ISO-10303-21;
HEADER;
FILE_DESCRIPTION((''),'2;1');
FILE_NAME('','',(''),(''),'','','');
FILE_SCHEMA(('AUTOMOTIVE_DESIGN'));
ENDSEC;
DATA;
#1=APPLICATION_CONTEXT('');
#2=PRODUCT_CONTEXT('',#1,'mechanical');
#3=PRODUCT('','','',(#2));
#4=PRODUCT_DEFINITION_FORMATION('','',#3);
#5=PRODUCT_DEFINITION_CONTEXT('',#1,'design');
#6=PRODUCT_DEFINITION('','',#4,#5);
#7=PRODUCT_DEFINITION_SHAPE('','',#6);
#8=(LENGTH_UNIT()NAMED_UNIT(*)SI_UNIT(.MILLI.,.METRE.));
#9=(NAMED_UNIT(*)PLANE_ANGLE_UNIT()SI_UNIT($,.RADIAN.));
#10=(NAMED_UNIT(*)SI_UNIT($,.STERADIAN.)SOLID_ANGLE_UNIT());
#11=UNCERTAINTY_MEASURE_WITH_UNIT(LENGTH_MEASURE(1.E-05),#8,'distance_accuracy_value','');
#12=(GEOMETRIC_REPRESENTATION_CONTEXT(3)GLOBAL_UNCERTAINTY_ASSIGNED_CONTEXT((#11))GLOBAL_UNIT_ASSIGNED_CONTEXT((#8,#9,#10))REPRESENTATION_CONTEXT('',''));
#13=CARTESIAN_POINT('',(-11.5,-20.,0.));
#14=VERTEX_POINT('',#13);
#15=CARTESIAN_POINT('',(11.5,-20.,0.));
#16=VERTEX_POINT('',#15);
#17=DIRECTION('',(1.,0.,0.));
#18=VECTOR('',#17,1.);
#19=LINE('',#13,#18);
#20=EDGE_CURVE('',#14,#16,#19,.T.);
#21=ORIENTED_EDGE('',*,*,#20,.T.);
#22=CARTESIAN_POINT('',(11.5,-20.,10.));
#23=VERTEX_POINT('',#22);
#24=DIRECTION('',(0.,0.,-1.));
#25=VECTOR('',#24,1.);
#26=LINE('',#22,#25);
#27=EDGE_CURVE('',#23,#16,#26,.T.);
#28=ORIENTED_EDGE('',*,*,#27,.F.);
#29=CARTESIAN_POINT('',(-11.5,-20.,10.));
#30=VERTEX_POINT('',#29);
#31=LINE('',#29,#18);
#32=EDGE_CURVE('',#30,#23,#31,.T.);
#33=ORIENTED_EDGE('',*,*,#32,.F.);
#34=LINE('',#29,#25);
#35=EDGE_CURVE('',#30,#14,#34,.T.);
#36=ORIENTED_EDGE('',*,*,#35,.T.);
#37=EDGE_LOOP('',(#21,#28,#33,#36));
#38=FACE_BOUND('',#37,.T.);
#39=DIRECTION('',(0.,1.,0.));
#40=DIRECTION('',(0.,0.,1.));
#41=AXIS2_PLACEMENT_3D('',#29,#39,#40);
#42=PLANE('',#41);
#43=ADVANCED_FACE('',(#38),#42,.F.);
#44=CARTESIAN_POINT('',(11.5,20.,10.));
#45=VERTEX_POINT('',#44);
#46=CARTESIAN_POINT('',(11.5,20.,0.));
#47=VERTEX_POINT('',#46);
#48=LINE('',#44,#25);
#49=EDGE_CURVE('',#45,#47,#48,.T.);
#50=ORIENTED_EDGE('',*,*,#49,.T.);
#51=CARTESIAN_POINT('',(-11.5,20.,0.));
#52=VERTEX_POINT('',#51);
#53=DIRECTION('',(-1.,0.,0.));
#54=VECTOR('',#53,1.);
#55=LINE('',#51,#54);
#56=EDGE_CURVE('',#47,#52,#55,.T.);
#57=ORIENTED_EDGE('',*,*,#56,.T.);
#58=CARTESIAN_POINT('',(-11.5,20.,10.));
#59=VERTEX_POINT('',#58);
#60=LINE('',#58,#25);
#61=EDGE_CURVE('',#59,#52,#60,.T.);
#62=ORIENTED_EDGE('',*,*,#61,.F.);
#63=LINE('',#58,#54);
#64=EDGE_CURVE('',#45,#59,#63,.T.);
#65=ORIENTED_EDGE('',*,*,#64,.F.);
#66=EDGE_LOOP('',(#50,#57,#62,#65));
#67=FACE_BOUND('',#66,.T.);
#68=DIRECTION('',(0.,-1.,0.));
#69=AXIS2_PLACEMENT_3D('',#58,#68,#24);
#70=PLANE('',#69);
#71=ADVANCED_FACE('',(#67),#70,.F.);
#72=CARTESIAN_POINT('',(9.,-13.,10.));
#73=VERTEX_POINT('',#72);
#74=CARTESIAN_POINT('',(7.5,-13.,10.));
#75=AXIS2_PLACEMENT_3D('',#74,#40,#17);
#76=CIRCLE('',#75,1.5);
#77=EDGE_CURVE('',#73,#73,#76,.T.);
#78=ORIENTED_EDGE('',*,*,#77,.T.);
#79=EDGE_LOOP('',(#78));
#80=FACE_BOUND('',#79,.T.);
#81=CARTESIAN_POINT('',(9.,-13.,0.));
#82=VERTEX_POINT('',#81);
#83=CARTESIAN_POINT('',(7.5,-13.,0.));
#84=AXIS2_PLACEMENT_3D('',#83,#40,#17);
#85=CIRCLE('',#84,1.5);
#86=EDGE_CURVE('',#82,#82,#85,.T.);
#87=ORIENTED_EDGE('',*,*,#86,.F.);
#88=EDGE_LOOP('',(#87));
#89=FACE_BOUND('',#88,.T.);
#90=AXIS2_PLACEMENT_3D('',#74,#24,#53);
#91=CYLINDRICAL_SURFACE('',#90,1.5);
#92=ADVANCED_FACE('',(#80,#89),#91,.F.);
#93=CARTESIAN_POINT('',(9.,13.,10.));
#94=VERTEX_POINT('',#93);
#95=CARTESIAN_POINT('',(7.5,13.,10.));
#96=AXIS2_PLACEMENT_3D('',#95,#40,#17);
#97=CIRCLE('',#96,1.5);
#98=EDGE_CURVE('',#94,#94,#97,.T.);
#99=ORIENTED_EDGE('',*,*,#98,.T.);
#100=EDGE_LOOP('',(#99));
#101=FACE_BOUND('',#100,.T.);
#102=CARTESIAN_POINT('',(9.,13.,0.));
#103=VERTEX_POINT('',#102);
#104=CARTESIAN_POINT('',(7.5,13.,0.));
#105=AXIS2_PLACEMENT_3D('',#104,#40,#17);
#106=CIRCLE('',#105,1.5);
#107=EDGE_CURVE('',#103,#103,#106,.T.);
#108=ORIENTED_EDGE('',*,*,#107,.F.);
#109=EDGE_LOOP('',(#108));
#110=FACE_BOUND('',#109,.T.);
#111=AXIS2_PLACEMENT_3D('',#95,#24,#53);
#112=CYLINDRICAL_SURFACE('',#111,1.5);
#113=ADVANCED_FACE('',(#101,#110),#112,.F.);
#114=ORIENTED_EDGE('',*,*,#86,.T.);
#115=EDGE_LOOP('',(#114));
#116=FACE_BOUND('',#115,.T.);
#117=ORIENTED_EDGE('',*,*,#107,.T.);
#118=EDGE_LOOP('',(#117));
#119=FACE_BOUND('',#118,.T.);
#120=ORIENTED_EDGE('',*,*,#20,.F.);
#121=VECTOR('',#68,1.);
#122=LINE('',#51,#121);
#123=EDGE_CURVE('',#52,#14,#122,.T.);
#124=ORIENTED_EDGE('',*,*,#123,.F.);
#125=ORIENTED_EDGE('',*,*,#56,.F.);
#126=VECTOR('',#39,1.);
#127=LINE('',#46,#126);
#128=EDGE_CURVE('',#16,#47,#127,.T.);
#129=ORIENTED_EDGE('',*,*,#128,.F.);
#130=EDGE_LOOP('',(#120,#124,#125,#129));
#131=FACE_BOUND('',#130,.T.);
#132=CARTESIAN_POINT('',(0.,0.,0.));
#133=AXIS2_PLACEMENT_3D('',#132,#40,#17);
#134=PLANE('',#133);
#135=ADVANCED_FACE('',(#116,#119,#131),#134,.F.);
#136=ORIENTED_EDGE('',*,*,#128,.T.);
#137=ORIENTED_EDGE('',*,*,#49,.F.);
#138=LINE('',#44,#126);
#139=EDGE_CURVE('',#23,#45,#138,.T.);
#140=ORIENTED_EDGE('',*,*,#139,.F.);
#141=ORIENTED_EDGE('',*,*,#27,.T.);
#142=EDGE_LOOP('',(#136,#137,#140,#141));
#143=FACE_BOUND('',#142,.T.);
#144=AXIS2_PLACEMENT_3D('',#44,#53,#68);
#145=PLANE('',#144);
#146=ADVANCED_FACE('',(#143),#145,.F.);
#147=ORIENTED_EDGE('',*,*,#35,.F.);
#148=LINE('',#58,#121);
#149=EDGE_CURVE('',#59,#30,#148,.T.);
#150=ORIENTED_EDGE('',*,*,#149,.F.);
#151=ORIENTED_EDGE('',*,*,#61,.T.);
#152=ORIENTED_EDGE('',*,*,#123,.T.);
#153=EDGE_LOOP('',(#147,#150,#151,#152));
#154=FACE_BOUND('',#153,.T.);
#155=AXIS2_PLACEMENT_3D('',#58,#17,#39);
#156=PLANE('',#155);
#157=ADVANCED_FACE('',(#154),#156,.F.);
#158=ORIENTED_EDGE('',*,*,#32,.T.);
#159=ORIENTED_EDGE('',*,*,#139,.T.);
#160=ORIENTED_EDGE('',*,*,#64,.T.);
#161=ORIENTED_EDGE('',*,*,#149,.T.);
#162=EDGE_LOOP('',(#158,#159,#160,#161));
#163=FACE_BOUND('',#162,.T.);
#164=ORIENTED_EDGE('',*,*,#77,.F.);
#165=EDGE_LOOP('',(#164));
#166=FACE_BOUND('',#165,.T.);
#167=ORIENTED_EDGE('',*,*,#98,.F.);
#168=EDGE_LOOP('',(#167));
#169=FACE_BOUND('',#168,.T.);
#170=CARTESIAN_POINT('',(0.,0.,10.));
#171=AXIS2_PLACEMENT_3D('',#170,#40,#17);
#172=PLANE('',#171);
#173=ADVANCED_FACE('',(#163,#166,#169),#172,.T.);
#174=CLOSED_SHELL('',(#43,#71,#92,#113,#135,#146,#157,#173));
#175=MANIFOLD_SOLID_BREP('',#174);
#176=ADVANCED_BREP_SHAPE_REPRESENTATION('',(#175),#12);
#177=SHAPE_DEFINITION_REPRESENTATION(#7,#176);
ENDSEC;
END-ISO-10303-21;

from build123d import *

# Parameters (mm, degrees)
SKETCH_1_W      = 23
SKETCH_1_H      = 40
SKETCH_1_R      = 1.5
EXTRUDE_1_DEPTH = 10


with BuildPart() as part:
    # 草图1 → 凸台-拉伸1 (new body)
    with BuildSketch(Plane.XY):
        Rectangle(SKETCH_1_W, SKETCH_1_H)
        with Locations((7.5, 13)):
            Circle(SKETCH_1_R, mode=Mode.SUBTRACT)
        with Locations((7.5, -13)):
            Circle(SKETCH_1_R, mode=Mode.SUBTRACT)
    extrude(amount=EXTRUDE_1_DEPTH)


solid = part.part
